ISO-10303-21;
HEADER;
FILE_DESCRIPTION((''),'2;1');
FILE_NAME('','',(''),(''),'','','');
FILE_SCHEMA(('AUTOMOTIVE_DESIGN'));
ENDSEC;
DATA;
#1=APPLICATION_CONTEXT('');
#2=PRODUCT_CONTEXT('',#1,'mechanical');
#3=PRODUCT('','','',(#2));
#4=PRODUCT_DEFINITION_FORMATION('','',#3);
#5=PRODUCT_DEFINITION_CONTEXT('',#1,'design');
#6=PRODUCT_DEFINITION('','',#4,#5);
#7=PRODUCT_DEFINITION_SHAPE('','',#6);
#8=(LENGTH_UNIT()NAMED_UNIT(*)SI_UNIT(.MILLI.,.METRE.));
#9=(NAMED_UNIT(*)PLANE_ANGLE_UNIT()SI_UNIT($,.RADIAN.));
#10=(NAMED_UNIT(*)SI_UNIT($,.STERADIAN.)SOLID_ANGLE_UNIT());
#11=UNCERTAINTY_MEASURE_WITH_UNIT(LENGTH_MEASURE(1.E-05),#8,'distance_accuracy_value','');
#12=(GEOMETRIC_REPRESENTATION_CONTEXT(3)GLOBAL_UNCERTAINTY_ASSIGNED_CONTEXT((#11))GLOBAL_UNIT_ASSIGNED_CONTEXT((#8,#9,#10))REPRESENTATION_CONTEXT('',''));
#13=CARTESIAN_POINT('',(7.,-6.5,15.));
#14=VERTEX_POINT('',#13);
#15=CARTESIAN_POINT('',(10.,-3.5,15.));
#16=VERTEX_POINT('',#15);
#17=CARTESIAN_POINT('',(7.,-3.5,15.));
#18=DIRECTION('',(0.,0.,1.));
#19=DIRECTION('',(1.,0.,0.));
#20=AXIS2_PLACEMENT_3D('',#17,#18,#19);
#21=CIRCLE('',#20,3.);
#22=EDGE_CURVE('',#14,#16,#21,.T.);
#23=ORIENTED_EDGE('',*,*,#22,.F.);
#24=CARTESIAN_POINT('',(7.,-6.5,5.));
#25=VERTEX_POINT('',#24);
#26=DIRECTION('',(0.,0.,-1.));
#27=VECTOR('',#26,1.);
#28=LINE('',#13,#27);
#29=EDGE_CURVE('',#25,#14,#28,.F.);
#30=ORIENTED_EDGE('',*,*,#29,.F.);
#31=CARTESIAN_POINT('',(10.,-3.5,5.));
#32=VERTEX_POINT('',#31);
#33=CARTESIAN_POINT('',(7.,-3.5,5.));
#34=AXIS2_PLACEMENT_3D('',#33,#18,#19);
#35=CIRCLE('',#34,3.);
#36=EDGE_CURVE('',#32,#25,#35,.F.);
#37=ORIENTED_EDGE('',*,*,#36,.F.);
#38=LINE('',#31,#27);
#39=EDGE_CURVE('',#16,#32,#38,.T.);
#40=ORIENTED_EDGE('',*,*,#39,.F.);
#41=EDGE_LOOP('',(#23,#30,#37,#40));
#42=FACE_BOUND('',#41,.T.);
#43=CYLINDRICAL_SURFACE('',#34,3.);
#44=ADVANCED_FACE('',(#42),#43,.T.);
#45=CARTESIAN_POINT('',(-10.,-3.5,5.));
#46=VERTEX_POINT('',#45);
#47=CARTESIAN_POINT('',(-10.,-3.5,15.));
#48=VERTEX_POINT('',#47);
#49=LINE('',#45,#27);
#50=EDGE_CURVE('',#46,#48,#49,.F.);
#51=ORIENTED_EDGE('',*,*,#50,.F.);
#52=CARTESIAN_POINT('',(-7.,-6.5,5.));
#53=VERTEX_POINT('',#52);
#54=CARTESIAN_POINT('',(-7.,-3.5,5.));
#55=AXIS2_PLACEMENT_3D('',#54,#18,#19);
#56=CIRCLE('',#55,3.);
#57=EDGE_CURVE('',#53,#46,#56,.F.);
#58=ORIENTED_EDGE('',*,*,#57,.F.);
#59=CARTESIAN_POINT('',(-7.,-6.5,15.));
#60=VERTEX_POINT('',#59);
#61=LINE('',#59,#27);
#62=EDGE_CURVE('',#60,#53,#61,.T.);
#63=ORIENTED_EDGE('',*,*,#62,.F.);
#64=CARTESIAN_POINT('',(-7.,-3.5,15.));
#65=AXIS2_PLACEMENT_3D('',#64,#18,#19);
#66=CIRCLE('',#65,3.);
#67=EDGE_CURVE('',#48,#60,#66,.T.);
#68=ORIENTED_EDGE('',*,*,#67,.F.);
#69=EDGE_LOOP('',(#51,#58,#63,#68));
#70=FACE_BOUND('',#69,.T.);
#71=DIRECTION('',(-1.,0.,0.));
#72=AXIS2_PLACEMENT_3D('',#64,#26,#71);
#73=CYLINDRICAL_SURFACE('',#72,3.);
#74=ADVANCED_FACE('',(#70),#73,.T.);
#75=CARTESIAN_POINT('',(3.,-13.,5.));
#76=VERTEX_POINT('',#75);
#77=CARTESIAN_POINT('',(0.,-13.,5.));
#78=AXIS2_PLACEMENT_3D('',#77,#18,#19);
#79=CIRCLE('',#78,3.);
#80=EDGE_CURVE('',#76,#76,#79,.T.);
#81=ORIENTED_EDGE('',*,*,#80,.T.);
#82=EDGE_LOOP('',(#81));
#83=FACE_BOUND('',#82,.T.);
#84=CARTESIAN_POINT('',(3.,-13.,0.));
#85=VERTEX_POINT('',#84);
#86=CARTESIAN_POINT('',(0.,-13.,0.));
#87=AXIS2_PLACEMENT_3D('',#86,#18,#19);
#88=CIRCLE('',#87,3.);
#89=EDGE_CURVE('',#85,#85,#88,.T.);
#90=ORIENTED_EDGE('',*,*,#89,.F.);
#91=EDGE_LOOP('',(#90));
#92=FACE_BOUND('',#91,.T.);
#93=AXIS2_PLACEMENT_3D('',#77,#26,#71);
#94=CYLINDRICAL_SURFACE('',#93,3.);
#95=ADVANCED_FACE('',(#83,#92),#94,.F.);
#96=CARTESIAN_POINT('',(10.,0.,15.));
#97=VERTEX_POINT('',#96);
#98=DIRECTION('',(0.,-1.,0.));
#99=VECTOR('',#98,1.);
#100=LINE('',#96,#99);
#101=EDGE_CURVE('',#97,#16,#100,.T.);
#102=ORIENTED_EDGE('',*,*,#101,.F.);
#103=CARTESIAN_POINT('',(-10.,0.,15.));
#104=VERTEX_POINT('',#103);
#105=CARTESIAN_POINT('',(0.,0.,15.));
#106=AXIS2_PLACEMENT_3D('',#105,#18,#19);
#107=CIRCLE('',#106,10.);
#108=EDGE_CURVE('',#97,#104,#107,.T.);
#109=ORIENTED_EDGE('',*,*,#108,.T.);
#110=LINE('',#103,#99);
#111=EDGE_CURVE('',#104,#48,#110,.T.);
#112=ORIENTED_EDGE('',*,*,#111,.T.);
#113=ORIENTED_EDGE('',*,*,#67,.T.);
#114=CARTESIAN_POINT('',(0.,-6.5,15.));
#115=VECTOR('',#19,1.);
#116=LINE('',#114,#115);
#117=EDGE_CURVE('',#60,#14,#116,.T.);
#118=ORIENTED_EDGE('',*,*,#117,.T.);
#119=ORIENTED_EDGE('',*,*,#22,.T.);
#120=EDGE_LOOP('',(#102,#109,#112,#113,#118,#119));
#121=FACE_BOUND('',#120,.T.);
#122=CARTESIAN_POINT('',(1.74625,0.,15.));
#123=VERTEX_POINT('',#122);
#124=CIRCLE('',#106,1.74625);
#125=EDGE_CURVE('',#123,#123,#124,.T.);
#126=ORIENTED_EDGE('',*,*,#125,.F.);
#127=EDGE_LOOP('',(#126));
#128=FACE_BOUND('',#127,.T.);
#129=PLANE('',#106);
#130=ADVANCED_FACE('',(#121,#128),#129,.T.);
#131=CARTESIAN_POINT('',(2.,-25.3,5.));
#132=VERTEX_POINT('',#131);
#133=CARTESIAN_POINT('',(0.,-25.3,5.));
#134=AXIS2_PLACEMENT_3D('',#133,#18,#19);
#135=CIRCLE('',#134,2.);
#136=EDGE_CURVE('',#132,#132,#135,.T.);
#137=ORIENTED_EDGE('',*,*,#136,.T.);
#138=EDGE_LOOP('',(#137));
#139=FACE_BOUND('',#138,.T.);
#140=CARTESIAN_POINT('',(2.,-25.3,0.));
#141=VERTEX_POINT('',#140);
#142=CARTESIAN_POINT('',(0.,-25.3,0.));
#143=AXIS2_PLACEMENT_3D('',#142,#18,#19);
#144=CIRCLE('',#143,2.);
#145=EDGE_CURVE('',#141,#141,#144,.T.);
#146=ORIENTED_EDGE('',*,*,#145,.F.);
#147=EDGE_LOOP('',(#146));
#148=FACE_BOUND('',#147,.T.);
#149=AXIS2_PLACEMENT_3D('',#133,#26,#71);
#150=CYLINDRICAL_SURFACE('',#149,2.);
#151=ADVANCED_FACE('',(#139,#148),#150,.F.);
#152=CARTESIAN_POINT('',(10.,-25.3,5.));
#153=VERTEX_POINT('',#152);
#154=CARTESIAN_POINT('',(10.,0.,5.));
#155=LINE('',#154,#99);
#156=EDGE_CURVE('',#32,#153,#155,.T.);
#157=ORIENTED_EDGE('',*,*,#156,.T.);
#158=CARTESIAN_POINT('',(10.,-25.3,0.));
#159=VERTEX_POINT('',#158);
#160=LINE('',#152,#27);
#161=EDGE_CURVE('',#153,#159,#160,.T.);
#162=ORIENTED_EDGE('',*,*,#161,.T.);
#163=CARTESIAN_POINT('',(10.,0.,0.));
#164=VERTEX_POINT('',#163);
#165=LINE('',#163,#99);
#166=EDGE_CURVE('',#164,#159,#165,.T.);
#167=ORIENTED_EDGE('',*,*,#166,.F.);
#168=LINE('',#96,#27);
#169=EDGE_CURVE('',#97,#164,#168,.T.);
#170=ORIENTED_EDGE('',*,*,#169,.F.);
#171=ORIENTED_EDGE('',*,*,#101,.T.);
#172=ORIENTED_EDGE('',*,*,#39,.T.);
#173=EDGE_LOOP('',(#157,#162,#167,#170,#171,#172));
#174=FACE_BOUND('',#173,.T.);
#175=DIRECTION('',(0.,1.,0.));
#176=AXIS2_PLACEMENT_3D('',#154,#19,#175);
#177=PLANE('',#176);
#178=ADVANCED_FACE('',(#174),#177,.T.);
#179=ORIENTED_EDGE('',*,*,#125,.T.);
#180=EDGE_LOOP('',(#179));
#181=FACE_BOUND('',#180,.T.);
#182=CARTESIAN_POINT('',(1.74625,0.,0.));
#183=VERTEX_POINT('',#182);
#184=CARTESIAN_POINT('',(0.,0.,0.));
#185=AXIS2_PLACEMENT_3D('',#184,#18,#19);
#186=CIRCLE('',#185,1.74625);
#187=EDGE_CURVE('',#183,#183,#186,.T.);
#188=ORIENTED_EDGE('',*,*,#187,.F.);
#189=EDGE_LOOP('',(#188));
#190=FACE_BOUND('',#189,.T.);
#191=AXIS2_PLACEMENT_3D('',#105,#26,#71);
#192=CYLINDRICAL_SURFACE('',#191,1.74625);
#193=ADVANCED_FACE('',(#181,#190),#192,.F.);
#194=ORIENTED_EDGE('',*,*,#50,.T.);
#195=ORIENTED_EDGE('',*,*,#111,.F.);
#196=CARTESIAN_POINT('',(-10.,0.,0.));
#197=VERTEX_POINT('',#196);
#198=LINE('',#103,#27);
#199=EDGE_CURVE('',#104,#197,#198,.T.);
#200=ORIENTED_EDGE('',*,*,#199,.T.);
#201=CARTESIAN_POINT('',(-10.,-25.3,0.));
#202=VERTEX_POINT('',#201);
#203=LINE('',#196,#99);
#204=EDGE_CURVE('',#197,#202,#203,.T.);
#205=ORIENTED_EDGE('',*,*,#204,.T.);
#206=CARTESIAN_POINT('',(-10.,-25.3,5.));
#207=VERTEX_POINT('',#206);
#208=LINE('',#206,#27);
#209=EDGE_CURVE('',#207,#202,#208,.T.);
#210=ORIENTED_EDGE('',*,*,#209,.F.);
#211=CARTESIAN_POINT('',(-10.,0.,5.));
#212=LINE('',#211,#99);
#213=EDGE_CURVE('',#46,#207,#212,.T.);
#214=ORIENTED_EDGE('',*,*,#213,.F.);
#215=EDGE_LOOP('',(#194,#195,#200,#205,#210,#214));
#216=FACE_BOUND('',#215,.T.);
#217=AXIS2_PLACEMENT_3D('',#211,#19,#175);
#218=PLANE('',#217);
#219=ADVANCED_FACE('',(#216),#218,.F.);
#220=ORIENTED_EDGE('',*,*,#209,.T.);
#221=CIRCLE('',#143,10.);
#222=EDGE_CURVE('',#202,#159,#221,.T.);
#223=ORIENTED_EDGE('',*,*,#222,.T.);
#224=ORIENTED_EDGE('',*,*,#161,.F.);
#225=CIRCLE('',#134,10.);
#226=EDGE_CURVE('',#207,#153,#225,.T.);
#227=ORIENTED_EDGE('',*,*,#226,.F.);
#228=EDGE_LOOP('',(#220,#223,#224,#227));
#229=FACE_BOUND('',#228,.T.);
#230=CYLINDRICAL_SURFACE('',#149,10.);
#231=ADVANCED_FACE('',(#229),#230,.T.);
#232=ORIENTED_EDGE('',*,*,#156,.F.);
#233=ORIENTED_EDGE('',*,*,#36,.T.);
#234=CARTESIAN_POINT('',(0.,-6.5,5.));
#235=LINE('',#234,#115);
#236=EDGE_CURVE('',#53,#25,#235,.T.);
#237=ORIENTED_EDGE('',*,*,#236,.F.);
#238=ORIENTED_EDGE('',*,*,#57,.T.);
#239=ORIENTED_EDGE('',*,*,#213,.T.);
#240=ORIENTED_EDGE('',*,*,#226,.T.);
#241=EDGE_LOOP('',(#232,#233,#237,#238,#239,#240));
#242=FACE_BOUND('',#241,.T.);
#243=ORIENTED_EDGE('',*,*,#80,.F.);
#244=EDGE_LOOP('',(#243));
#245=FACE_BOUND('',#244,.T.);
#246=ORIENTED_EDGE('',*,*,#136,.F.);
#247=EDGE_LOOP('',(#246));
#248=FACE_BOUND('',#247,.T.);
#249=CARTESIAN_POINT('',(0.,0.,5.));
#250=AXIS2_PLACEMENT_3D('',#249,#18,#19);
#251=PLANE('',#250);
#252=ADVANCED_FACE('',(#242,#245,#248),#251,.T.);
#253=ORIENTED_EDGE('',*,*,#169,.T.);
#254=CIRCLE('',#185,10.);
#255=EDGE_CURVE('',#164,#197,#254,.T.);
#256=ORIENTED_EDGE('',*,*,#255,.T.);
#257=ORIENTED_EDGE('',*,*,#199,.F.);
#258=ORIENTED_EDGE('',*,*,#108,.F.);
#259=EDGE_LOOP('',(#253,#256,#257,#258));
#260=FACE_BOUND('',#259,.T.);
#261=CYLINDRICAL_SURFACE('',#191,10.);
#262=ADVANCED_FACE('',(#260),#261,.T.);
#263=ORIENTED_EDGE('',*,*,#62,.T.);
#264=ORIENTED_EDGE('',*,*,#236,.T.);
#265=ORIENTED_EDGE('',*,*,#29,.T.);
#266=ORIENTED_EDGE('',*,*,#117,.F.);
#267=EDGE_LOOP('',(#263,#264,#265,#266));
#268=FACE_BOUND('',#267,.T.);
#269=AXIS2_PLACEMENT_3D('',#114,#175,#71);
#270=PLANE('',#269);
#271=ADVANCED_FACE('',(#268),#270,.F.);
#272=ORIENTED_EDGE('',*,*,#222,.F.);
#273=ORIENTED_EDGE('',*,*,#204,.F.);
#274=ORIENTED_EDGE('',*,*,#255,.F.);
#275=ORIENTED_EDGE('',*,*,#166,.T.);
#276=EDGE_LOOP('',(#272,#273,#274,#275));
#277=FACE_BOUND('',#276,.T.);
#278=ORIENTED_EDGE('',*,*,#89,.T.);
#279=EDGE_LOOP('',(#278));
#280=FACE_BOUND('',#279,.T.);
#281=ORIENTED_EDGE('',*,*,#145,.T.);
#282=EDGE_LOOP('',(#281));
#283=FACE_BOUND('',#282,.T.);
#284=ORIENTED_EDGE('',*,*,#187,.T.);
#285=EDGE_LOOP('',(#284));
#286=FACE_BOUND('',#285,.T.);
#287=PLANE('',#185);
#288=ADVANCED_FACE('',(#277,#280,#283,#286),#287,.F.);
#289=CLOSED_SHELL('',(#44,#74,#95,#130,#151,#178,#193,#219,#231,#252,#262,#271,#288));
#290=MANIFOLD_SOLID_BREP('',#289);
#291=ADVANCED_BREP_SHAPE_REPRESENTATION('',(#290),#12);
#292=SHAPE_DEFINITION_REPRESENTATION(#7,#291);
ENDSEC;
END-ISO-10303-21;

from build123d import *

# Parameters (mm, degrees)
SKETCH1_R           = 2
SKETCH1_R_2         = 3
BOSS_EXTRUDE1_DEPTH = 5
SKETCH1_3_R         = 1.74625
BOSS_EXTRUDE2_DEPTH = 15
FILLET1_R           = 3


with BuildPart() as part:
    # Sketch1 → Boss-Extrude1 (new body)
    with BuildSketch(Plane.XY):
        with BuildLine():
            Line((10, -25.3), (10, -6.5))
            Line((10, -6.5), (-10, -6.5))
            Line((-10, -6.5), (-10, -25.3))
            ThreePointArc((-10, -25.3), (0, -35.3), (10, -25.3))
        make_face()
        with Locations((0, -25.3)):
            Circle(SKETCH1_R, mode=Mode.SUBTRACT)
        with Locations((0, -13)):
            Circle(SKETCH1_R_2, mode=Mode.SUBTRACT)
    extrude(amount=BOSS_EXTRUDE1_DEPTH)

    # Sketch1<3> → Boss-Extrude2 (add)
    with BuildSketch(Plane.XY):
        with BuildLine():
            Line((10, -6.5), (10, 0))
            ThreePointArc((10, 0), (0, 10), (-10, 0))
            Line((-10, 0), (-10, -6.5))
            Line((-10, -6.5), (10, -6.5))
        make_face()
        Circle(SKETCH1_3_R, mode=Mode.SUBTRACT)
    extrude(amount=BOSS_EXTRUDE2_DEPTH)

    # Fillet1
    fillet1_edges = [part.edges().sort_by_distance(p)[0] for p in [
        (-10, -6.5, 10),
        (10, -6.5, 10),
    ]]
    fillet(fillet1_edges, radius=FILLET1_R)


solid = part.part
